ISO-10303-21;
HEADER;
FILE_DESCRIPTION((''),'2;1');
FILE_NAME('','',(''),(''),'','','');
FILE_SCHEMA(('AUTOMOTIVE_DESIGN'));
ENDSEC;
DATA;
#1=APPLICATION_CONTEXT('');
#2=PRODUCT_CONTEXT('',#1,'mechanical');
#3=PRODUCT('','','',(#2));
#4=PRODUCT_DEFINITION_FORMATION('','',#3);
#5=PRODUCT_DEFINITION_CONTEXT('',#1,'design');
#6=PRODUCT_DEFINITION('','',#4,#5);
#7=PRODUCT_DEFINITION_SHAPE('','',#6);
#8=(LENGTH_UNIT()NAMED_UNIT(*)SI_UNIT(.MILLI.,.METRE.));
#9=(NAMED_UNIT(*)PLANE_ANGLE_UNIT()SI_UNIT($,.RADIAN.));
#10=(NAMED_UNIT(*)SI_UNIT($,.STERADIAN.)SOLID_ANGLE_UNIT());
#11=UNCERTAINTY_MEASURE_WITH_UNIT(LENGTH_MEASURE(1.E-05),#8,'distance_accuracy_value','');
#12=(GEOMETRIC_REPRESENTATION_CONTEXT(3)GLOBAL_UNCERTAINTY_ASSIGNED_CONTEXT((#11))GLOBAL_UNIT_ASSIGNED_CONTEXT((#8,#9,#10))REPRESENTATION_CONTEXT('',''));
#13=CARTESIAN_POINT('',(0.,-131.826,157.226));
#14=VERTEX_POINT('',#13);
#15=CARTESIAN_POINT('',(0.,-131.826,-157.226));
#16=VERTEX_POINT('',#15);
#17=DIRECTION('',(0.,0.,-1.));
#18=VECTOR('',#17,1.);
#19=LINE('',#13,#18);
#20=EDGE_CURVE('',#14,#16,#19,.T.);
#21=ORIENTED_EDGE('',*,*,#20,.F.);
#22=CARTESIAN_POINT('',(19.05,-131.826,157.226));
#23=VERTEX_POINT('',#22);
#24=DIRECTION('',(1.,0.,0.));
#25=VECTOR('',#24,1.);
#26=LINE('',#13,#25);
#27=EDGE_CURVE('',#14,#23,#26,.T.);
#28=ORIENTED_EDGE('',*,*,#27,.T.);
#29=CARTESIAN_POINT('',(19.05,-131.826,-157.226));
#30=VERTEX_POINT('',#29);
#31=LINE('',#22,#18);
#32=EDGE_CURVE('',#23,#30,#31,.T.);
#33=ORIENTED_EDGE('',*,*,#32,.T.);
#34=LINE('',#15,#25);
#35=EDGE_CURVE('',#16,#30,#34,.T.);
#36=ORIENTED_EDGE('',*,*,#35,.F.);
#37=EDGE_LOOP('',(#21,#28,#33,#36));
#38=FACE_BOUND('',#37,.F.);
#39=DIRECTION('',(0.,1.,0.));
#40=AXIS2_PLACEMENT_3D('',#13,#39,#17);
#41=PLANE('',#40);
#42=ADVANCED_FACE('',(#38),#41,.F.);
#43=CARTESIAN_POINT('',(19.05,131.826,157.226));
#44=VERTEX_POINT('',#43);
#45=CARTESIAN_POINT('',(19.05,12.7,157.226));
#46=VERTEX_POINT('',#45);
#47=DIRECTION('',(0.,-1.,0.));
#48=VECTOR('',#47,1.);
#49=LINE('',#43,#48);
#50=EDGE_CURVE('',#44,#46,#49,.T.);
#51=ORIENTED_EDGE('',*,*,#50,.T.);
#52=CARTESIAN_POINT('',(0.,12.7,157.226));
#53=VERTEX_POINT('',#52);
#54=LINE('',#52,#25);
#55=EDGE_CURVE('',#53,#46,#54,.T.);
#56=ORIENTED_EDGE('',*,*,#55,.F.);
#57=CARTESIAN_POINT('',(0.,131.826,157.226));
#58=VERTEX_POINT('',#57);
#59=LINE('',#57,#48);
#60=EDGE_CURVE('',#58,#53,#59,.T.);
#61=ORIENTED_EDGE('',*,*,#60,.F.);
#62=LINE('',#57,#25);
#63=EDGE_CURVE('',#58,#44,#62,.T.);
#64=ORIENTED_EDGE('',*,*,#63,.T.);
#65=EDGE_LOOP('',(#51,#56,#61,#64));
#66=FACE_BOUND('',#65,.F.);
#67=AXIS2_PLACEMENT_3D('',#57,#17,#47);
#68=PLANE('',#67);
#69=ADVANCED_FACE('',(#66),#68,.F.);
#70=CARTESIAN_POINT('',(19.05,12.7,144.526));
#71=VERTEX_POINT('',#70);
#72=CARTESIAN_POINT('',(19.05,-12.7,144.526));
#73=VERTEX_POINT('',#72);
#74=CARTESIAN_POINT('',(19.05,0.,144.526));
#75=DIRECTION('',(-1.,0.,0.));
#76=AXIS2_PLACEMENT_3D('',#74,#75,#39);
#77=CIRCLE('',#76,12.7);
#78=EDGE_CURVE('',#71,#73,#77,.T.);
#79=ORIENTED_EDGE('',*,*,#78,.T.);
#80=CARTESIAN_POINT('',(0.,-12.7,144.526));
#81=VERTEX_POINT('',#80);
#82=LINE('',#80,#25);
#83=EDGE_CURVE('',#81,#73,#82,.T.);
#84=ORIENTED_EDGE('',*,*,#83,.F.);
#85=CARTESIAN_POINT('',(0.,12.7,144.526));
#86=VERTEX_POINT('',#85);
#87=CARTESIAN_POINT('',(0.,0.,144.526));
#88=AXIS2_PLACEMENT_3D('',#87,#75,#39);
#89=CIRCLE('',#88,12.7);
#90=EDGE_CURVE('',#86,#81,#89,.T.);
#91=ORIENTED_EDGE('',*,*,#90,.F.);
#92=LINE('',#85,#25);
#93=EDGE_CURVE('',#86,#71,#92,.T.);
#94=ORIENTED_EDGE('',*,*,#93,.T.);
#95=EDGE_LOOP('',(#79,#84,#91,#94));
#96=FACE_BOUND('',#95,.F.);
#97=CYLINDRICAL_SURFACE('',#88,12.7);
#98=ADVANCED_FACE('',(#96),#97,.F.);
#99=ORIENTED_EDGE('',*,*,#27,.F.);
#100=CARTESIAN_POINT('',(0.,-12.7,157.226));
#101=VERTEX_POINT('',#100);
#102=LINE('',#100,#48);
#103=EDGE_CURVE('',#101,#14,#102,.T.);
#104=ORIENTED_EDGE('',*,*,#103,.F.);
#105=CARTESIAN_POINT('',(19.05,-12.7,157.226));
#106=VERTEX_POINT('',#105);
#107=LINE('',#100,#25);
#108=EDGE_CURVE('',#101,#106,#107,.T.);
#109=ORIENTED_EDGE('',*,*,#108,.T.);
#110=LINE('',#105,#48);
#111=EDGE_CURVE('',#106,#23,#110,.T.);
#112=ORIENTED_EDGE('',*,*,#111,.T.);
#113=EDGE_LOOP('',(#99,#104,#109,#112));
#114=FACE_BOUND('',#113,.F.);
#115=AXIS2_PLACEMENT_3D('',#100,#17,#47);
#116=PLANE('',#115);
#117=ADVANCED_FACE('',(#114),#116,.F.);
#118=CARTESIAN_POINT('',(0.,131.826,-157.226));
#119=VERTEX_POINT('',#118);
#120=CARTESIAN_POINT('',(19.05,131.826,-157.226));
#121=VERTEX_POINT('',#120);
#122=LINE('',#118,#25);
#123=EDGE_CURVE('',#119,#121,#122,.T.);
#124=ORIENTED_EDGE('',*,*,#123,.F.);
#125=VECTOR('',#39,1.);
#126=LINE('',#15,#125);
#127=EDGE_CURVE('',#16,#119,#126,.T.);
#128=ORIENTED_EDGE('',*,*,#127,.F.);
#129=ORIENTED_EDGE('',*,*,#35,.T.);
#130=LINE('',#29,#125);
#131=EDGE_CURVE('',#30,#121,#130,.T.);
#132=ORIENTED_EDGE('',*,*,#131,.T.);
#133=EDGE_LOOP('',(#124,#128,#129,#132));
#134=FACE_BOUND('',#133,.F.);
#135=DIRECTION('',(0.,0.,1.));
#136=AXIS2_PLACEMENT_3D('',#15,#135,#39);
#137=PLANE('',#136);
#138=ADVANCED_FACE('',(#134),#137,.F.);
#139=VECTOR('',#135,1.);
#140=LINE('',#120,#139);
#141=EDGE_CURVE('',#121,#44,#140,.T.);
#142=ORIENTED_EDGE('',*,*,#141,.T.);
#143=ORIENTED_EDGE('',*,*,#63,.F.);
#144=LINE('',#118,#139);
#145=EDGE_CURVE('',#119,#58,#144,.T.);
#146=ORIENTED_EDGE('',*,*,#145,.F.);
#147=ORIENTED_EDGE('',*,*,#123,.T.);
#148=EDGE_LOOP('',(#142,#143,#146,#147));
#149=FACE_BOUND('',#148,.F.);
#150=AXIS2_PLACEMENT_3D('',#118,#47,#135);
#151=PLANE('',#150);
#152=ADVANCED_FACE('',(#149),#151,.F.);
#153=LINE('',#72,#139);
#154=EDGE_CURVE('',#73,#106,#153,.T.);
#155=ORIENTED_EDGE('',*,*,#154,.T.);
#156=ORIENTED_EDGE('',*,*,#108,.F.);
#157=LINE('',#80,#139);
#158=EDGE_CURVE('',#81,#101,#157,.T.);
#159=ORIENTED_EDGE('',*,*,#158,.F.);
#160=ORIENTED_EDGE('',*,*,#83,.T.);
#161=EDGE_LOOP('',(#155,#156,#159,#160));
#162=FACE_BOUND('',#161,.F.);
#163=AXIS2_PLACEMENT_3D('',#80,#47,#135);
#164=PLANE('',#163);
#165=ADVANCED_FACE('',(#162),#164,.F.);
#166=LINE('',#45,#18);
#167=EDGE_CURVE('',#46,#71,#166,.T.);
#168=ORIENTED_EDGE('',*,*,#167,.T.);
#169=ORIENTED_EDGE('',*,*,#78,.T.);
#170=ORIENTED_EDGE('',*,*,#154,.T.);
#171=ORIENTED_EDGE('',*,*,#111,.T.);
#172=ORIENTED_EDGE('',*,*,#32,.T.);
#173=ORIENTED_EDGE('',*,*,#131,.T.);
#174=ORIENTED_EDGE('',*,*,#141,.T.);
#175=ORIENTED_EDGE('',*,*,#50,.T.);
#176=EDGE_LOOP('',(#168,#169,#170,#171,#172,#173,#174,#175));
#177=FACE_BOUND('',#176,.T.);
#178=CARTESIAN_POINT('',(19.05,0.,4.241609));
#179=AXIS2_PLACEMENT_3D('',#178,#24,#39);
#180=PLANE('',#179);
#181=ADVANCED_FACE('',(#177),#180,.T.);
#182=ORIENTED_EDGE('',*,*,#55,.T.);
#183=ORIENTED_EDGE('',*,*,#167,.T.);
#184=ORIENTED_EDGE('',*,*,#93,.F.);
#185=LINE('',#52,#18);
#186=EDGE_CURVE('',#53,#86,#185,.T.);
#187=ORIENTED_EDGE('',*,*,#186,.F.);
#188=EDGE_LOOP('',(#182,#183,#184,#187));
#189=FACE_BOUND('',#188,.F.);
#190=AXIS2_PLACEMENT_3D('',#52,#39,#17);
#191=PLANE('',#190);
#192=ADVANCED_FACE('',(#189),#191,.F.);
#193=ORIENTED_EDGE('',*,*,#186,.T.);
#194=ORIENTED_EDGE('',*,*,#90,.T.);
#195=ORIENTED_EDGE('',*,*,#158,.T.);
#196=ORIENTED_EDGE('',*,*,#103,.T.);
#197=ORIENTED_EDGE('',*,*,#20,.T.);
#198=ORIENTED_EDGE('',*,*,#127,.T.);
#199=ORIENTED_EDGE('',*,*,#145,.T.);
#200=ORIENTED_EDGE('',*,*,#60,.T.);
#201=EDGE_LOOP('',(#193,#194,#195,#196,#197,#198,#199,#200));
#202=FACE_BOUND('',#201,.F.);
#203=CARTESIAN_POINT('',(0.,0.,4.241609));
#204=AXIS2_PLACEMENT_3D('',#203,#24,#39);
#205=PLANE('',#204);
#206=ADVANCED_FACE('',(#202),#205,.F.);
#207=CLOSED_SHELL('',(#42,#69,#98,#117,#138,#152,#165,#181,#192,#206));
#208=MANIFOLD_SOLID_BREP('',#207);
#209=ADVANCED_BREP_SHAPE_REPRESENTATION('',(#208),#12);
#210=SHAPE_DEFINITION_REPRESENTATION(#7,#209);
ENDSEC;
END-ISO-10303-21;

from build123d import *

# Parameters (mm, degrees)
F1_DEPTH = 19.05


with BuildPart() as f1:
    # F0 (on Right) → F1 (new body)
    with BuildSketch(Plane.YZ):
        with BuildLine():
            Line((131.826, -157.226), (131.826, 157.226))
            Line((131.826, 157.226), (12.7, 157.226))
            Line((12.7, 157.226), (12.7, 144.526))
            ThreePointArc((12.7, 144.526), (0, 131.826), (-12.7, 144.526))
            Line((-12.7, 144.526), (-12.7, 157.226))
            Line((-12.7, 157.226), (-131.826, 157.226))
            Line((-131.826, 157.226), (-131.826, -157.226))
            Line((-131.826, -157.226), (131.826, -157.226))
        make_face()
    extrude(amount=F1_DEPTH)


solid = f1.part
